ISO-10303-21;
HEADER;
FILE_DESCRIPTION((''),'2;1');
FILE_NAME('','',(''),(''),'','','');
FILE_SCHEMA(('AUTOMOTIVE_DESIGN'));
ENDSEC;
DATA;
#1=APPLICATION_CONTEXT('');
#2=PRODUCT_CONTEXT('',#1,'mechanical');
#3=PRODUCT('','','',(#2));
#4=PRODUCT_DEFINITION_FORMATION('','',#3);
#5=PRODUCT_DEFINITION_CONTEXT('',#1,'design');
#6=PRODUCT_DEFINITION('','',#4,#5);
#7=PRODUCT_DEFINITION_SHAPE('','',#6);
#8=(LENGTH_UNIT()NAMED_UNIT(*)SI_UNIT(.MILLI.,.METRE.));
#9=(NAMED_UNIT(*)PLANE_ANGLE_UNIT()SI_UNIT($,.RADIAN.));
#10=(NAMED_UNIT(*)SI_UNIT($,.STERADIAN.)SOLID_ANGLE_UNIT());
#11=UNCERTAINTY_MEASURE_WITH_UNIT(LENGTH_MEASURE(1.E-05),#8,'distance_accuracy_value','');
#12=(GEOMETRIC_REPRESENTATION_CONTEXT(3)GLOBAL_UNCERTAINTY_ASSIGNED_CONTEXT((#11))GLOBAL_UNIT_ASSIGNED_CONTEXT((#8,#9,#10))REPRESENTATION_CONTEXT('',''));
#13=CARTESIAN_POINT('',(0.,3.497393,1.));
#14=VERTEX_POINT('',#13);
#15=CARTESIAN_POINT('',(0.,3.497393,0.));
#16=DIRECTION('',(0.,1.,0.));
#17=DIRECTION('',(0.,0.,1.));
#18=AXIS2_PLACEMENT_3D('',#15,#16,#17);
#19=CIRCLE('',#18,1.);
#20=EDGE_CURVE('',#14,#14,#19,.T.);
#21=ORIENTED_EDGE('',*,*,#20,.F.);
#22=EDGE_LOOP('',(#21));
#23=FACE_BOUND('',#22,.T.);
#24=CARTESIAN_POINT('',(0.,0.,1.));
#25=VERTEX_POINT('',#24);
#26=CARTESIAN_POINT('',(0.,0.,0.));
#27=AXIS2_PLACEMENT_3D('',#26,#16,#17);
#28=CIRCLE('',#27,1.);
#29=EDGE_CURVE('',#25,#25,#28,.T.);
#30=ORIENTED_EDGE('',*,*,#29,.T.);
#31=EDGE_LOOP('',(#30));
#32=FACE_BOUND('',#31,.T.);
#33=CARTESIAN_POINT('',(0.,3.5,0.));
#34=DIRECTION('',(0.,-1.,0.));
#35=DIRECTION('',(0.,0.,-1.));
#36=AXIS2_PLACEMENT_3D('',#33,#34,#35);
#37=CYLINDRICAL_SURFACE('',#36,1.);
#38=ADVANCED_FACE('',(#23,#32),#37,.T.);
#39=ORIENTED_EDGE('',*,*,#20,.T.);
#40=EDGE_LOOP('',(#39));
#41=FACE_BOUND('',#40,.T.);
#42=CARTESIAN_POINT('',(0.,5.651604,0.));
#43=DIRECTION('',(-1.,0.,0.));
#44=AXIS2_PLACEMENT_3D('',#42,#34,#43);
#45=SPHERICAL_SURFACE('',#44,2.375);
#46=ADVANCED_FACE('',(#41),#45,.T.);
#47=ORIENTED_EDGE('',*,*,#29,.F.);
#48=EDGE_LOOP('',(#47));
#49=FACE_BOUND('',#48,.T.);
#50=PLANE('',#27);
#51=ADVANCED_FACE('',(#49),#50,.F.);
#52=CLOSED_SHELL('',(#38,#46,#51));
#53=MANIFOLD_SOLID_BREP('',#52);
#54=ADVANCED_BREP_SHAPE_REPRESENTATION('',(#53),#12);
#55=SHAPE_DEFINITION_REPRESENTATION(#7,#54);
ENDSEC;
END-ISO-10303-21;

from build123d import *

# Parameters (mm, degrees)
SKETCH1_R           = 1
BOSS_EXTRUDE1_DEPTH = 3.5


with BuildPart() as part:
    # Sketch1 → Boss-Extrude1 (new body)
    with BuildSketch(Plane(origin=(0, 0, 0), x_dir=(1, 0, 0), z_dir=(0, 1, 0))):
        with Locations(Location((0, 0, 0), (0, 0, 270))):
            Circle(SKETCH1_R)
    extrude(amount=BOSS_EXTRUDE1_DEPTH)

    # Sketch2 → Revolve2 (revolve)
    with BuildSketch(Plane.XY):
        with BuildLine():
            Line((0, 3.276604446), (0, 8.026604446))
            ThreePointArc((0, 8.026604446), (-2.375, 5.651604446), (0, 3.276604446))
        make_face()
    revolve(axis=Axis((0, 3.276604446, 0), (0, 1, 0)))


solid = part.part
